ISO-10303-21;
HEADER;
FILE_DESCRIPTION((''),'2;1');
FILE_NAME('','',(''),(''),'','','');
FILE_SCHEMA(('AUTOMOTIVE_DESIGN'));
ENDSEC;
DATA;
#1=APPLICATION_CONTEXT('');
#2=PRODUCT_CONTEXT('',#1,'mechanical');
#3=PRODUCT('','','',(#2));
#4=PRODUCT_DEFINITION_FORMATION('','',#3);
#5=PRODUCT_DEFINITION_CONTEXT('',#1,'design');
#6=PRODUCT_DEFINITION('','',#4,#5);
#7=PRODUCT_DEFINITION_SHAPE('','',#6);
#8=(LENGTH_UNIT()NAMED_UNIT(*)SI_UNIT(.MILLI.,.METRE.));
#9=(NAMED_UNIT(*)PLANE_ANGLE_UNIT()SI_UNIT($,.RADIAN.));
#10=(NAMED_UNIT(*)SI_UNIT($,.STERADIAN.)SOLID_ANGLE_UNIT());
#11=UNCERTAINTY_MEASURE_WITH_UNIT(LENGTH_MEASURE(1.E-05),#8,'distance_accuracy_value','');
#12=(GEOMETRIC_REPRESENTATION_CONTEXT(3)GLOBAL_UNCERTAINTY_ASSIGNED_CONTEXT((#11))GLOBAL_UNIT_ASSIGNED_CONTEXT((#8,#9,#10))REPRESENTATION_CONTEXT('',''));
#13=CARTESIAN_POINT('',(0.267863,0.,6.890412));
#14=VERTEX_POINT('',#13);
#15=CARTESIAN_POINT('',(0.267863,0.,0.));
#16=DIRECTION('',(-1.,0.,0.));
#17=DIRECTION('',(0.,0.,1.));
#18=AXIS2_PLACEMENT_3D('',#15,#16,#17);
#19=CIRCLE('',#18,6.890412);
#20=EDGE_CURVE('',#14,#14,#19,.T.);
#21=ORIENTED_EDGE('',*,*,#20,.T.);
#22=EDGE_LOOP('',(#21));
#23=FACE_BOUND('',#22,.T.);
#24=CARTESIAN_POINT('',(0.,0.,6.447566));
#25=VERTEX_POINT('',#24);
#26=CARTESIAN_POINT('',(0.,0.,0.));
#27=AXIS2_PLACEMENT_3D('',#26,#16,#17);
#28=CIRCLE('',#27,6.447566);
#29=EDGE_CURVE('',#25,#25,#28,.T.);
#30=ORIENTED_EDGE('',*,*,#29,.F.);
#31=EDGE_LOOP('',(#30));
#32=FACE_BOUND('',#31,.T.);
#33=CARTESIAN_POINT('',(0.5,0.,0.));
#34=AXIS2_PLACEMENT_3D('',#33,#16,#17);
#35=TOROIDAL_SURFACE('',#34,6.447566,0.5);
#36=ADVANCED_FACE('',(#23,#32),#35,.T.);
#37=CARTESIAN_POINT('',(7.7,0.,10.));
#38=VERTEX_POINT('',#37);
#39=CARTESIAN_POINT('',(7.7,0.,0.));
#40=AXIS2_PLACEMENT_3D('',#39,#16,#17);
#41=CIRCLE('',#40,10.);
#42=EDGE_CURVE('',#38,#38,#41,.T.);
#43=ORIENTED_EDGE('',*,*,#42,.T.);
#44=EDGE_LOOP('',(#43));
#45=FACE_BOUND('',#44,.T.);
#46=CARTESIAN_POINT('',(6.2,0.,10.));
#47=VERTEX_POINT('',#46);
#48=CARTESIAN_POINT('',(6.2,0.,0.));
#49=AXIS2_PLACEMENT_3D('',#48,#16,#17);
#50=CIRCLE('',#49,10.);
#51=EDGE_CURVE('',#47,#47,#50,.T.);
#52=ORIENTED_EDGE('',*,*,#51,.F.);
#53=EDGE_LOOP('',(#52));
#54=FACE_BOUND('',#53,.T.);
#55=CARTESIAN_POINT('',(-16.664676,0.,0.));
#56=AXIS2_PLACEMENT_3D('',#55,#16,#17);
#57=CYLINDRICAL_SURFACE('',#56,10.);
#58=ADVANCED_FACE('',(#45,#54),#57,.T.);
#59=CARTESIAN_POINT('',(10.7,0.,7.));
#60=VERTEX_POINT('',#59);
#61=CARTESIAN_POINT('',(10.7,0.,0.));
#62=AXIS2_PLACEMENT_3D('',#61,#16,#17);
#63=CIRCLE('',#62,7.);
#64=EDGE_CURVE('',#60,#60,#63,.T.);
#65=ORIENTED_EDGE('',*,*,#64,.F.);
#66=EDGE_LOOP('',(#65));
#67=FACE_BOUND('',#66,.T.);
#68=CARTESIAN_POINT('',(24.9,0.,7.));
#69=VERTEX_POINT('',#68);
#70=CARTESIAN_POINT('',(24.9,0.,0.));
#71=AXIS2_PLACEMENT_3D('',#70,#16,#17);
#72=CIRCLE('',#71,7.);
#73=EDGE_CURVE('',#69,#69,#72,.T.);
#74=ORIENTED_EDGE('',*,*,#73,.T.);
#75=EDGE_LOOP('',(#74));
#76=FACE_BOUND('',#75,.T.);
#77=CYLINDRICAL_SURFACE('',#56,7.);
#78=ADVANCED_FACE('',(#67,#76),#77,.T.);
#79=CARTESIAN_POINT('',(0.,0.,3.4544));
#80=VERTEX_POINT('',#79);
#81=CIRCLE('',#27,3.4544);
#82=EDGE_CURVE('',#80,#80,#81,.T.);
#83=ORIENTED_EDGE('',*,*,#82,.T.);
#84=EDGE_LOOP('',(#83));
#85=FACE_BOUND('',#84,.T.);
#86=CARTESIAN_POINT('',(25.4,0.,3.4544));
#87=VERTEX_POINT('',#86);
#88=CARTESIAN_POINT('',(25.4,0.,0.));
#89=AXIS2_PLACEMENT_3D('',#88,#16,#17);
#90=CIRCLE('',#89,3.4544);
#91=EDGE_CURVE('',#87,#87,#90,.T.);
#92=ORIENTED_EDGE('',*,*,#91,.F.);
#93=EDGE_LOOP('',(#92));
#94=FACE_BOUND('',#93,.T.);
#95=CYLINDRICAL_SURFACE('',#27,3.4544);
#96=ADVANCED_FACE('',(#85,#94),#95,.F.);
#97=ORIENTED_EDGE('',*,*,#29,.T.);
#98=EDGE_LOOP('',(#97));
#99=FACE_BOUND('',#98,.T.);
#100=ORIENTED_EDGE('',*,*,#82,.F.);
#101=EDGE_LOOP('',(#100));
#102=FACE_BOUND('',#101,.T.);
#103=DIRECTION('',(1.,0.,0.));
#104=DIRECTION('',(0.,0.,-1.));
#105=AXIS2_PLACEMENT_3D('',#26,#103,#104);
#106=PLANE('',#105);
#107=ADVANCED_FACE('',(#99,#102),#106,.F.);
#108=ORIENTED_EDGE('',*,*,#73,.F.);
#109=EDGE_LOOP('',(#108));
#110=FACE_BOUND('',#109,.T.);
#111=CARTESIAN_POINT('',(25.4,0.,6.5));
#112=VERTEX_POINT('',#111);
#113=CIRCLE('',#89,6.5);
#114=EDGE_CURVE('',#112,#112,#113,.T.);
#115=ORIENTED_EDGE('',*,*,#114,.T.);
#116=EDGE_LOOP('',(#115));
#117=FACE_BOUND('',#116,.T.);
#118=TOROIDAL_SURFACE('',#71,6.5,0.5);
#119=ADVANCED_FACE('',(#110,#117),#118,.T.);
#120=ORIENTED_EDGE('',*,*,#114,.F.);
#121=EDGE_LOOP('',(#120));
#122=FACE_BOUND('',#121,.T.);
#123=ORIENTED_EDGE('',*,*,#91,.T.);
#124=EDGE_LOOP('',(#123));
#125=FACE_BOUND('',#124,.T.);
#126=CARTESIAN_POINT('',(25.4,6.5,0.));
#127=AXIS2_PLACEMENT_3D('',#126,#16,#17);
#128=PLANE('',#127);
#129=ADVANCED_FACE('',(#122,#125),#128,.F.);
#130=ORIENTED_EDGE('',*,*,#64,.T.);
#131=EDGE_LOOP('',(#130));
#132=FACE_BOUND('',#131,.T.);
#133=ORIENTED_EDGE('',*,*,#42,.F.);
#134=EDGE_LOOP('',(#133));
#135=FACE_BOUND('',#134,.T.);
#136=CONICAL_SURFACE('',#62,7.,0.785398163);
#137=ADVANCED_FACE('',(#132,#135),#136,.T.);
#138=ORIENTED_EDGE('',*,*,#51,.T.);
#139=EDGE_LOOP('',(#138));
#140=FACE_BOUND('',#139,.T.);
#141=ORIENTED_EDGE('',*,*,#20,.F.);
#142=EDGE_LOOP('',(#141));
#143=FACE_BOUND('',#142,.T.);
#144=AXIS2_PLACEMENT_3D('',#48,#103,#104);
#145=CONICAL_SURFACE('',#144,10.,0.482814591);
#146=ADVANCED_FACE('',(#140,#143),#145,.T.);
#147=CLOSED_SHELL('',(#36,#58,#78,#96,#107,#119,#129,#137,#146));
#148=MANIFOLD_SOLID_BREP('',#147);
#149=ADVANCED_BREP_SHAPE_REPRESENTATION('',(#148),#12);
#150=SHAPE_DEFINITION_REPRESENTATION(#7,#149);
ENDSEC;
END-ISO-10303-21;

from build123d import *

# Parameters (mm, degrees)
TAP_DRILL_FOR_5_16_24_TAP1_D = 6.9088


with BuildPart() as part:
    # Sketch1 → Revolve1 (revolve)
    with BuildSketch(Plane.XY, mode=Mode.PRIVATE) as revolve1_sk:
        with BuildLine():
            Line((0, 0), (0, 6.447566244))
            ThreePointArc((0, 6.447566244), (0.072174996, 6.70634369), (0.267863065, 6.89041209))
            Line((0.267863065, 6.89041209), (6.2, 10))
            Line((6.2, 10), (7.7, 10))
            Line((7.7, 10), (10.7, 7))
            Line((10.7, 7), (24.9, 7))
            ThreePointArc((24.9, 7), (25.253553391, 6.853553391), (25.4, 6.5))
            Line((25.4, 6.5), (25.4, 0))
            Line((25.4, 0), (0, 0))
        make_face()
    revolve(revolve1_sk.sketch.rotate(Axis((-16.664675737, 0, 0), (1, 0, 0)), 90), axis=Axis((-16.664675737, 0, 0), (1, 0, 0)))

    # Tap Drill for 5/16-24 Tap1 (through all)
    with Locations(Plane.ZY):
        with Locations((0, 0)):
            Hole(TAP_DRILL_FOR_5_16_24_TAP1_D / 2)


solid = part.part
